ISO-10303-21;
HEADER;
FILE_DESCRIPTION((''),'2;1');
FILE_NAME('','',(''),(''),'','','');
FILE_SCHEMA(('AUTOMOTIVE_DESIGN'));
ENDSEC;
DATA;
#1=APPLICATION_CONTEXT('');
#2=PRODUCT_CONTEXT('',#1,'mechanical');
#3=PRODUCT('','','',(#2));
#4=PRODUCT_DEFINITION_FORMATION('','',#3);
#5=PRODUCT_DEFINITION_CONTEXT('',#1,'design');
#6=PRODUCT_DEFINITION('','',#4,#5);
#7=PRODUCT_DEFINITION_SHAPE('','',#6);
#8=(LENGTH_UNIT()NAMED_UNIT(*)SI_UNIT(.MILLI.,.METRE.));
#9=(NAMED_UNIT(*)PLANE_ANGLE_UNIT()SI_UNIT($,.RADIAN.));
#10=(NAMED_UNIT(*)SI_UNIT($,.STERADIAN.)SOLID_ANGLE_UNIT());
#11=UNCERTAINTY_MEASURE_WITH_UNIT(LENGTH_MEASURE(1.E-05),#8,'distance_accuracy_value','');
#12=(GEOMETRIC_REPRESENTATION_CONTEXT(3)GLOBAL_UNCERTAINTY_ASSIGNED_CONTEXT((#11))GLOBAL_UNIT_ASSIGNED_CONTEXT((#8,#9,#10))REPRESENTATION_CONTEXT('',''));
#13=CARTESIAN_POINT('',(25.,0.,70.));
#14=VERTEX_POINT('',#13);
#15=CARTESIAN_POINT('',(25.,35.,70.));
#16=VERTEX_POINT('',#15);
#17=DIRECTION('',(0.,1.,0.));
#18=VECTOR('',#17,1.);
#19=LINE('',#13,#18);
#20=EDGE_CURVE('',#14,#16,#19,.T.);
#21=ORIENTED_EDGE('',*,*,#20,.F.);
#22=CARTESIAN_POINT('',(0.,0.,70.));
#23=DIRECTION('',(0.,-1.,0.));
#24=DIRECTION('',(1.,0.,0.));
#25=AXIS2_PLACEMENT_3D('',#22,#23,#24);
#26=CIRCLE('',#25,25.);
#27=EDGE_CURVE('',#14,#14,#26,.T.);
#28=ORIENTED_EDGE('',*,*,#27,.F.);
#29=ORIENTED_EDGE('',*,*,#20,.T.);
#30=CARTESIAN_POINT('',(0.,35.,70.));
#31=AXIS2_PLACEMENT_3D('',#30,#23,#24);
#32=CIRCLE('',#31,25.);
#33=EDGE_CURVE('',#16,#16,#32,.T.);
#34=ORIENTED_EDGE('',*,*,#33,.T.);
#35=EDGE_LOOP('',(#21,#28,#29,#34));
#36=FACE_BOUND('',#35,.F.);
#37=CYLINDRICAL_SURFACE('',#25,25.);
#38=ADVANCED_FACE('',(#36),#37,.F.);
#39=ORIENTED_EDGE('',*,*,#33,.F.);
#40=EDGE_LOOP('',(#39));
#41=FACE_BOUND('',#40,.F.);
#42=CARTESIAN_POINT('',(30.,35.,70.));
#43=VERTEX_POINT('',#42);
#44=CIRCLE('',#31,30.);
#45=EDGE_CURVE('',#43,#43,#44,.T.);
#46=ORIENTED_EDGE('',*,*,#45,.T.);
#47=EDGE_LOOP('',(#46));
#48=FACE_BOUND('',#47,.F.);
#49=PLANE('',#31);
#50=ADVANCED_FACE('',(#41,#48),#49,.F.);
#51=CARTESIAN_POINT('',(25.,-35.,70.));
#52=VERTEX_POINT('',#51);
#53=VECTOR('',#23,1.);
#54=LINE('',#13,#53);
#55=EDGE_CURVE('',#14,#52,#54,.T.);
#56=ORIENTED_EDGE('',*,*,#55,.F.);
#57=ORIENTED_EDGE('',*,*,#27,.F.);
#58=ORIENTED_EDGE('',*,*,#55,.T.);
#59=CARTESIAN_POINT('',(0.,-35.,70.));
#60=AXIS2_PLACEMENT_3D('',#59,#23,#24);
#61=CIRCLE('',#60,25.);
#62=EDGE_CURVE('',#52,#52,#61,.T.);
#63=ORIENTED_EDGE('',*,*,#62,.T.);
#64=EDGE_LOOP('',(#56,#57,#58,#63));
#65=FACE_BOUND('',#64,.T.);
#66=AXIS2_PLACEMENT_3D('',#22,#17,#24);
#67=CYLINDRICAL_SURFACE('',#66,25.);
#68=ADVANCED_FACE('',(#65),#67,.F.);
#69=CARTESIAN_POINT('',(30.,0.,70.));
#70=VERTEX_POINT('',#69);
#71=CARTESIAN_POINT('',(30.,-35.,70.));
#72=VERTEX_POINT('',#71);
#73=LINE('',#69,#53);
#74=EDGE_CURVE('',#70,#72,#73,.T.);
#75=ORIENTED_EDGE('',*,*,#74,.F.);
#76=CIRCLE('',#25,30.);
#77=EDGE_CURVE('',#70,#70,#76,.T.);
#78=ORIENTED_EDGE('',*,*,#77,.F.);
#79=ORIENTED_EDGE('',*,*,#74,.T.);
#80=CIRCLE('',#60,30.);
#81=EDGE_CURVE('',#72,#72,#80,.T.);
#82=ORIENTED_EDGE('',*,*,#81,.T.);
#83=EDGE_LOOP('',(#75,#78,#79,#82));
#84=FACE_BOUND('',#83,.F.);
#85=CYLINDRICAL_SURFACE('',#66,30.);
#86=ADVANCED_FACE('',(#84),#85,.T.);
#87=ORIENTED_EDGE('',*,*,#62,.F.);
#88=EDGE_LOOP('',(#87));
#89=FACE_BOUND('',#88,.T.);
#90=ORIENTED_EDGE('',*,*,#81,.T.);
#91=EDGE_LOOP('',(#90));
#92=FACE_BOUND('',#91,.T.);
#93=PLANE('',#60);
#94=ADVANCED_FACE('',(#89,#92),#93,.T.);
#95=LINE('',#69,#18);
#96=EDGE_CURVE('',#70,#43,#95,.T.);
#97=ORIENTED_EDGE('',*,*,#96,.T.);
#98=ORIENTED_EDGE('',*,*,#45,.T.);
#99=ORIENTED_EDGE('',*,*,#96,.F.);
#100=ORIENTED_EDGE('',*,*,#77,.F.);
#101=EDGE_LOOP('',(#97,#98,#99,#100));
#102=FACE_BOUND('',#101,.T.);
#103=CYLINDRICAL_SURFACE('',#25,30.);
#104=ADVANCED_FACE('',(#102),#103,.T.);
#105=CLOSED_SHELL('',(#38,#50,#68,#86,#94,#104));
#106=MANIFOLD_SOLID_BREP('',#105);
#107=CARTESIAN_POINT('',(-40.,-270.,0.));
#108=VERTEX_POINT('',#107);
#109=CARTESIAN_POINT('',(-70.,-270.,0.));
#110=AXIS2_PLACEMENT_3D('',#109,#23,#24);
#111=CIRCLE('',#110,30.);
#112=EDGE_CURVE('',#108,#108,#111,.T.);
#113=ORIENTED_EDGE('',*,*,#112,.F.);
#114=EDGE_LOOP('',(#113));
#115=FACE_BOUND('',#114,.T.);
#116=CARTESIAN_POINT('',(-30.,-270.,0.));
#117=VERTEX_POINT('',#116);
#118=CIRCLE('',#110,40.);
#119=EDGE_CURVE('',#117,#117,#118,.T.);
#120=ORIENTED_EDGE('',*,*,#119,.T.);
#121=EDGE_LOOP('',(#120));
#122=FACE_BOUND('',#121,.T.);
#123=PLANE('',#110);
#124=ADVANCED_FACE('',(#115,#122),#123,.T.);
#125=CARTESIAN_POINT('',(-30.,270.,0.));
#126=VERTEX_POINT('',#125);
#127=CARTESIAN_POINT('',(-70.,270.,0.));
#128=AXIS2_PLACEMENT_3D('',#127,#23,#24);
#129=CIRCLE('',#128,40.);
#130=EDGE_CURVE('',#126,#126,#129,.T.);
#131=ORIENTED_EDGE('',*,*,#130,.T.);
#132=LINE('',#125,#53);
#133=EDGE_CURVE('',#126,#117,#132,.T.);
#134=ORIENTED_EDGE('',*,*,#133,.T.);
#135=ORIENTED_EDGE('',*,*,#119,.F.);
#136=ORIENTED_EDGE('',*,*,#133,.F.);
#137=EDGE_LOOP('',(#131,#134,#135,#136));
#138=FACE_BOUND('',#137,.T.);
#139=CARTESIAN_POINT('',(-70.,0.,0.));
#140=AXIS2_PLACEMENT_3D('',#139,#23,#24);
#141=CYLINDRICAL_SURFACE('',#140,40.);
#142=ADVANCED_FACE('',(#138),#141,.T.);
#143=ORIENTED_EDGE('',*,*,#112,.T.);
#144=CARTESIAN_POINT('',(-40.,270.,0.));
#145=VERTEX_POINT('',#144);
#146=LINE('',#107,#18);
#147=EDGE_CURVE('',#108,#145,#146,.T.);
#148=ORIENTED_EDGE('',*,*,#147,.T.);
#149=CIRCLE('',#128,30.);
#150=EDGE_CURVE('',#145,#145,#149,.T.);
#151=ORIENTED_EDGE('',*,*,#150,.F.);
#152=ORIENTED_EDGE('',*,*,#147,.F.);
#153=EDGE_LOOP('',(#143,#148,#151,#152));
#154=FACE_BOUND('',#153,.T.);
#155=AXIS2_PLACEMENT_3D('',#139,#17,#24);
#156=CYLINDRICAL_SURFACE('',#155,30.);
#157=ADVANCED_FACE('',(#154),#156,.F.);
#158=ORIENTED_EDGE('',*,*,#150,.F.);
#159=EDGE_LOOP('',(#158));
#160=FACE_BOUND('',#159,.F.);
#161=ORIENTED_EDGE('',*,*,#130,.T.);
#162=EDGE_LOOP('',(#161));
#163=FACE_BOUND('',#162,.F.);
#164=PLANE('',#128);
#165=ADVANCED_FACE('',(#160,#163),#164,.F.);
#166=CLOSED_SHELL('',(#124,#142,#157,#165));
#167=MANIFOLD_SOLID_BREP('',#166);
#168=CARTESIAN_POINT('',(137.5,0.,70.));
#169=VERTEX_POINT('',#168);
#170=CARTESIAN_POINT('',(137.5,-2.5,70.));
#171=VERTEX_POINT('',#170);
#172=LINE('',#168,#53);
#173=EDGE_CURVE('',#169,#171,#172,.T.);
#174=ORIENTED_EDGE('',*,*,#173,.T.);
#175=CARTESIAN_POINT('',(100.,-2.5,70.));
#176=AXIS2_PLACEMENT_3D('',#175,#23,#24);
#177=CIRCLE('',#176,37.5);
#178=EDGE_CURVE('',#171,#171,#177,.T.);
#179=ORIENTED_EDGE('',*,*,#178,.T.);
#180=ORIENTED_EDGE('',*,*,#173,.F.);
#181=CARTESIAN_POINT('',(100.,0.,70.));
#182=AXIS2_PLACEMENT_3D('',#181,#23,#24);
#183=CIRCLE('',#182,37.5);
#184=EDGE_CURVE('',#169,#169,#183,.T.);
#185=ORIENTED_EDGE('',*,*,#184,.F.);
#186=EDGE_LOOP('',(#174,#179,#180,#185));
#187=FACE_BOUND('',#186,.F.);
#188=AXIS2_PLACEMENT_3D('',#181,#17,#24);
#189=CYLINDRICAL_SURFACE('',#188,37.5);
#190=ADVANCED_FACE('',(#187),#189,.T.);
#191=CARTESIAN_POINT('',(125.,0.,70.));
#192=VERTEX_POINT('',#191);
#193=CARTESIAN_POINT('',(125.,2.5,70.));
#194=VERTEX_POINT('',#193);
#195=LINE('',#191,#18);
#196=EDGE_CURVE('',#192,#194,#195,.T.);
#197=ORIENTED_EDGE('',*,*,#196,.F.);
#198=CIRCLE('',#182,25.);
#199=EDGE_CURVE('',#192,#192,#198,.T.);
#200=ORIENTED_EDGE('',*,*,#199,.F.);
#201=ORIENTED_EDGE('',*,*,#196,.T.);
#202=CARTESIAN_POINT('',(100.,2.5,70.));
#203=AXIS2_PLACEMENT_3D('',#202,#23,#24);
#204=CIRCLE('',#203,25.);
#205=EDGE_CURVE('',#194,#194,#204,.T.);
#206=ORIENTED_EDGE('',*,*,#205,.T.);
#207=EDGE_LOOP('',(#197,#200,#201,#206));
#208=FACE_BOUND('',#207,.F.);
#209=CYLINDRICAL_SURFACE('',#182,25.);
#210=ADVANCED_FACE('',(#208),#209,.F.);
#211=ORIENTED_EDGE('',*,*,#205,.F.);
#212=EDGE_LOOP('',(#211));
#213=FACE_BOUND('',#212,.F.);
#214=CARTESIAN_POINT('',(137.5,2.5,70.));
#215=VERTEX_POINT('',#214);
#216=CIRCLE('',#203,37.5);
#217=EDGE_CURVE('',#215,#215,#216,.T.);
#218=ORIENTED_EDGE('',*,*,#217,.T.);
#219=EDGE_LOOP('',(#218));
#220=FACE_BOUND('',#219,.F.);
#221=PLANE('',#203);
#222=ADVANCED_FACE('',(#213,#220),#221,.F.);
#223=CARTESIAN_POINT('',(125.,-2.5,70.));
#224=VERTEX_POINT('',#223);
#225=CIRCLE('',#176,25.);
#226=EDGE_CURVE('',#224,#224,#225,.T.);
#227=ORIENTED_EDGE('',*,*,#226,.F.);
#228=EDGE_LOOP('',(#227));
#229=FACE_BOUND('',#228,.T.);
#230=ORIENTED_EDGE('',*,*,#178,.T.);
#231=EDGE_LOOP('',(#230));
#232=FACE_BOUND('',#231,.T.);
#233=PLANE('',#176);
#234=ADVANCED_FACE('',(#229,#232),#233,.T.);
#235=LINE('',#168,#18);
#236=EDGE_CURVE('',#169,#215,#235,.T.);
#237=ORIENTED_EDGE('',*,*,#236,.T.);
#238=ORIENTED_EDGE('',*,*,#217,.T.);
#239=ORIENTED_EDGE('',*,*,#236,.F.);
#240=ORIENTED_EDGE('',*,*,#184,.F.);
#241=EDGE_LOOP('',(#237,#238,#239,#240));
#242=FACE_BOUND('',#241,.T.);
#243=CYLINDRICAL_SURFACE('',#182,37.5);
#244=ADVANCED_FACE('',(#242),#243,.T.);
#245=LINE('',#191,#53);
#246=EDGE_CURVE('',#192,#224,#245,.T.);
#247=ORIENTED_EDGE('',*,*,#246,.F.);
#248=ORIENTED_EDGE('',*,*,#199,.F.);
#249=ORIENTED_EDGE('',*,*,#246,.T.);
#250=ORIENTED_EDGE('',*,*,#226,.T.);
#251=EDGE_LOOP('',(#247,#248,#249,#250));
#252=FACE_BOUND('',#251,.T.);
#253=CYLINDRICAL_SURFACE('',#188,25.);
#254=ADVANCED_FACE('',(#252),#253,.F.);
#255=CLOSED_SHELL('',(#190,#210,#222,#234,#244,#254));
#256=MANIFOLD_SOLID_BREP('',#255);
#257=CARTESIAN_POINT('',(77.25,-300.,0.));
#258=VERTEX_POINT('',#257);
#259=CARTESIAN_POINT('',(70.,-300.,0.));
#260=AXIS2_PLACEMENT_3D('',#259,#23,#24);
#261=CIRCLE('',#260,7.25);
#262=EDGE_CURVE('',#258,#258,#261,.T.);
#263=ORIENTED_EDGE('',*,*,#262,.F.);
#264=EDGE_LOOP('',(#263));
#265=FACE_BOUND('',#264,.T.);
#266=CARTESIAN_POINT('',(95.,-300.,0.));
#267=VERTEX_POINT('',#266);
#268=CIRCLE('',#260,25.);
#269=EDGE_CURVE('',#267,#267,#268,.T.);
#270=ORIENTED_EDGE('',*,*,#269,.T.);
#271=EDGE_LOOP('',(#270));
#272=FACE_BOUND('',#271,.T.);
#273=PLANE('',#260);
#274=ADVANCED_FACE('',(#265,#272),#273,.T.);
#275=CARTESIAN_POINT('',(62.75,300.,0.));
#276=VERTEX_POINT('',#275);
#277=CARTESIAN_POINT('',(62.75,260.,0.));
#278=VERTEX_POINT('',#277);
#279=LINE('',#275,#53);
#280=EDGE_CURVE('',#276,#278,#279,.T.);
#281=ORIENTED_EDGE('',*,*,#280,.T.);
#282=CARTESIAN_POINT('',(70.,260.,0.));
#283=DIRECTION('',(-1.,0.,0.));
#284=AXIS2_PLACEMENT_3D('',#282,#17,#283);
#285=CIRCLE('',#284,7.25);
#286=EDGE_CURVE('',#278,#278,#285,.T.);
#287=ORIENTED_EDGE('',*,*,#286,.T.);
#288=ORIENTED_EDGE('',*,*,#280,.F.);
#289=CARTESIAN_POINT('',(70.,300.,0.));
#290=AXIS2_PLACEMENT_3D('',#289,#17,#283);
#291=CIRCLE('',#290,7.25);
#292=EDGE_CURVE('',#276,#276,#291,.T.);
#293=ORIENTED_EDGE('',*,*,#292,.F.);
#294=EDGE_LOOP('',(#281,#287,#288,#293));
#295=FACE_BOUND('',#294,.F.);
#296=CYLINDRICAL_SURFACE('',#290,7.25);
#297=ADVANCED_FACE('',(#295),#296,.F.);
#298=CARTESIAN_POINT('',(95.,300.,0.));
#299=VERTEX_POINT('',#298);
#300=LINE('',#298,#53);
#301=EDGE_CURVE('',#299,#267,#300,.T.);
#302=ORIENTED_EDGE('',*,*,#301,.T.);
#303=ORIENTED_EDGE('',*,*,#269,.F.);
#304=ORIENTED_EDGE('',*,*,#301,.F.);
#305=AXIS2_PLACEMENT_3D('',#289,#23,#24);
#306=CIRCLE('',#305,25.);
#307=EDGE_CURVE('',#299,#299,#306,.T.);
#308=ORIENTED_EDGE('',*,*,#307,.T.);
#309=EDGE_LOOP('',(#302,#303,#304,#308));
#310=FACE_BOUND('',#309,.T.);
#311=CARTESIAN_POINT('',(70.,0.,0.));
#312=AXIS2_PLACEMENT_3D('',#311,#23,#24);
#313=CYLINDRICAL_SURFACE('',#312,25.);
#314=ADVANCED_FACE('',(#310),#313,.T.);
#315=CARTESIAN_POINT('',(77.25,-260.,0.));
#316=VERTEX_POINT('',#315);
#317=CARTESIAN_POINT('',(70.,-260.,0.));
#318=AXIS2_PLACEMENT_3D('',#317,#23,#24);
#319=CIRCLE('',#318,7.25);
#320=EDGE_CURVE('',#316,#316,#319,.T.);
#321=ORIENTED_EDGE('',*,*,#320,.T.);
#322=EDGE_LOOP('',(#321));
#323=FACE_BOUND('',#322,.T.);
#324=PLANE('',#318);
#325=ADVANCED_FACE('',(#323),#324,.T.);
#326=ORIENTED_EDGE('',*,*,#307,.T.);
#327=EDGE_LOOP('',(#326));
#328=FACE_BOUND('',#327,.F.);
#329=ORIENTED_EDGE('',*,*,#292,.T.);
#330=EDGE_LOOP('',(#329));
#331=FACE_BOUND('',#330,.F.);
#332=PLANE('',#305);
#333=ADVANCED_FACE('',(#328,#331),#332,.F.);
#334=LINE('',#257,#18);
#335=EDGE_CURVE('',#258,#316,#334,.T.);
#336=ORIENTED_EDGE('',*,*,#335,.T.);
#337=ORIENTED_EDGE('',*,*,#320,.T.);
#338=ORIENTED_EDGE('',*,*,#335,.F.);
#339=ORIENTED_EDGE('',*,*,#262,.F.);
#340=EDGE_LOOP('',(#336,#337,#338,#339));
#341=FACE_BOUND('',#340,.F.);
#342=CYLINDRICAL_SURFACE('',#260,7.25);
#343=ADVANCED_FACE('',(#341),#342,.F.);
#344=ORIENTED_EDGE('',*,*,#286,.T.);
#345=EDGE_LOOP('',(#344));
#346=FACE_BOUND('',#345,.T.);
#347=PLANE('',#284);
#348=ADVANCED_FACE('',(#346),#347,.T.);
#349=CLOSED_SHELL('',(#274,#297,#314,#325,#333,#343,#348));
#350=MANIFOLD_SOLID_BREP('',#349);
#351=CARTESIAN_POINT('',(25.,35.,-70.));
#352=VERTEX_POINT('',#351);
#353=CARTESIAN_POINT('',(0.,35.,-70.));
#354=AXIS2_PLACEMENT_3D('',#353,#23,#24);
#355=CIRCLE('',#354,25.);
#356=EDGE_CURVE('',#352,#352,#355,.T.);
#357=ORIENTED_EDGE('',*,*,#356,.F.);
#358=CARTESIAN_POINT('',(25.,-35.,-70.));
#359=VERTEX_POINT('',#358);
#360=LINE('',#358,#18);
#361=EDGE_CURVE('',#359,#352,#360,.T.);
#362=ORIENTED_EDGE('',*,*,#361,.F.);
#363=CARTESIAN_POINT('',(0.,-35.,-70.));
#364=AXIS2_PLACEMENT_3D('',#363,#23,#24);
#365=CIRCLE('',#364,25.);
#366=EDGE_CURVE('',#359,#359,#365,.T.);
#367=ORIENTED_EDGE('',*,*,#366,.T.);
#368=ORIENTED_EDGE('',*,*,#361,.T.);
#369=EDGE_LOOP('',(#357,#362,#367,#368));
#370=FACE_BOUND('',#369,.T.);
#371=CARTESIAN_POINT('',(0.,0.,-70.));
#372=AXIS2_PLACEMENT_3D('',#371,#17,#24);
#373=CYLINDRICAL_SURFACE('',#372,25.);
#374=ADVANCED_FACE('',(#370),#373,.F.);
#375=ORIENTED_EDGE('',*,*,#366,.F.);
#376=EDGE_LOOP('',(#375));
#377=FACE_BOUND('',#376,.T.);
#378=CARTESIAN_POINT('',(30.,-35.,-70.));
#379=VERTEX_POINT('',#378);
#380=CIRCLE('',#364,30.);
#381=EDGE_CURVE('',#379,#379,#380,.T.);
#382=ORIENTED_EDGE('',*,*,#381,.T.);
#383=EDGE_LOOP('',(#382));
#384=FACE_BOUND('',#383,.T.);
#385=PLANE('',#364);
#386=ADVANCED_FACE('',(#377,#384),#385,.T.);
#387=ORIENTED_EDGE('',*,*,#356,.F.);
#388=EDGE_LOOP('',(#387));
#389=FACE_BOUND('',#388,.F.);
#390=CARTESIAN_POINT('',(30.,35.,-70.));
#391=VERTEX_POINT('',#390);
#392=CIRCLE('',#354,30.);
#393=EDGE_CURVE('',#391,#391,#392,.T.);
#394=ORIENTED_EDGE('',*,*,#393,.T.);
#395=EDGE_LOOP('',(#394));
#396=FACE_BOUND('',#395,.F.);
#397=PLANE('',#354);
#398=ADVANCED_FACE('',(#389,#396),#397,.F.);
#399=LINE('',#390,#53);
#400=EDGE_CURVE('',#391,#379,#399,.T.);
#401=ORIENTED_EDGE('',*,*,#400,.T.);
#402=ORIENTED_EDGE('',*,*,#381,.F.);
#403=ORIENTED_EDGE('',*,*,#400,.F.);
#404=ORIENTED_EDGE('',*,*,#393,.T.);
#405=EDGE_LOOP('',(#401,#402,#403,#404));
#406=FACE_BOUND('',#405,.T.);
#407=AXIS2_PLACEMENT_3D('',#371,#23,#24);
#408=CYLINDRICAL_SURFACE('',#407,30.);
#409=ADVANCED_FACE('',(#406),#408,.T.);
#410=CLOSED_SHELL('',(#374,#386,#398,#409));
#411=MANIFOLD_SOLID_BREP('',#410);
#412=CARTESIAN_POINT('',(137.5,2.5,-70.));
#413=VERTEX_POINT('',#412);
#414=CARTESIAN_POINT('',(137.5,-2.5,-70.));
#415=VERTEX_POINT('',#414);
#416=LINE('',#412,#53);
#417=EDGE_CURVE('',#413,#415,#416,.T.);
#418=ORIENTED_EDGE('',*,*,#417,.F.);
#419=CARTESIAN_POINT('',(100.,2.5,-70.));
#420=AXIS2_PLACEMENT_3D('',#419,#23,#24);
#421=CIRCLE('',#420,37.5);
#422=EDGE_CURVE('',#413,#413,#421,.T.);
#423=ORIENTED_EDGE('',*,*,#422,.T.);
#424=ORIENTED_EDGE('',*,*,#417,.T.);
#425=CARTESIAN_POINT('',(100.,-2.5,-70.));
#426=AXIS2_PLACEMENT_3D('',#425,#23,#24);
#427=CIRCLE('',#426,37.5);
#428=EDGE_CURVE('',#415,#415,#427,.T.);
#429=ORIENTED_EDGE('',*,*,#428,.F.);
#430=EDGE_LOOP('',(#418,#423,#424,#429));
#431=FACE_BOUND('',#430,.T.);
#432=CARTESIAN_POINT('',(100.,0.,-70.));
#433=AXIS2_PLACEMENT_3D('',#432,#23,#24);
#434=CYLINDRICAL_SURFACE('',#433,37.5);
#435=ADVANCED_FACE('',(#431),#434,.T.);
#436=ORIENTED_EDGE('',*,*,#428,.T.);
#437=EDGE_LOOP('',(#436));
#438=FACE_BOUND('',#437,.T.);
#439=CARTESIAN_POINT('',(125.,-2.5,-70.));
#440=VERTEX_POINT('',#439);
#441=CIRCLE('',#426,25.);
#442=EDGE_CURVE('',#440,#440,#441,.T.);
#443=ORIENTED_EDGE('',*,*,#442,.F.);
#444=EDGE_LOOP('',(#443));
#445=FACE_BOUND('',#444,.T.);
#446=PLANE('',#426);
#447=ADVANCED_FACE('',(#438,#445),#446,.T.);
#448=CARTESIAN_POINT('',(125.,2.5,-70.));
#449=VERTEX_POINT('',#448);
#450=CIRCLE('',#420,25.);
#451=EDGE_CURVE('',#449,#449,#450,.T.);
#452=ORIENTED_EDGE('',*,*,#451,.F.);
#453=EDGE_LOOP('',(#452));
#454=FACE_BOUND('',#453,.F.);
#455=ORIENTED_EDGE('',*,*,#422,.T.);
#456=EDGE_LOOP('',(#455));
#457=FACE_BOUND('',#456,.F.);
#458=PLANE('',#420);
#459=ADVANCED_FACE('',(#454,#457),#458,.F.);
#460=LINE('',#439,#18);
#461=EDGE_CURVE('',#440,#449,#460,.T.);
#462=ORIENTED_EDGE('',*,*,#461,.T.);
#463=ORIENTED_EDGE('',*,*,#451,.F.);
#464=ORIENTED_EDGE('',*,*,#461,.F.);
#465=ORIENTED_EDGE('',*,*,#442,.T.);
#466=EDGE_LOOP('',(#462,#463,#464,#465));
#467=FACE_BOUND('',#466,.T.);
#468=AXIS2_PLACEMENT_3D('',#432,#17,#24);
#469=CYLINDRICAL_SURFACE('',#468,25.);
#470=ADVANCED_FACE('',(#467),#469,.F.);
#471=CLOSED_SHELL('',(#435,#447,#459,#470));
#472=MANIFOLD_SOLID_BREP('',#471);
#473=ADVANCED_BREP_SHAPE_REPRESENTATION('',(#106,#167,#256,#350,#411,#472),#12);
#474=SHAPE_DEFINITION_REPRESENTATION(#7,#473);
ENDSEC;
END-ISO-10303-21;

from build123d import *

# Parameters (mm, degrees)
F0_R      = 40
F0_R_2    = 30
F1_DEPTH  = 270
F2_R      = 30
F2_R_2    = 25
F3_DEPTH  = 35
F4_R      = 25
F5_DEPTH  = 300
F6_R      = 37.5
F6_R_2    = 25
F7_DEPTH  = 2.5
F8_R      = 7.25
F9_DEPTH  = 40
F10_R     = 7.25
F11_DEPTH = 40


with BuildPart() as f1:
    # F0 (on Front) → F1 (new body, symmetric)
    with BuildSketch(Plane.XZ):
        with Locations((-70, 0)):
            Circle(F0_R)
        with Locations((-70, 0)):
            Circle(F0_R_2, mode=Mode.SUBTRACT)
    extrude(amount=F1_DEPTH, both=True)


with BuildPart() as f3:
    # F2 (on Front) → F3 (new body, symmetric)
    with BuildSketch(Plane.XZ):
        with Locations((0, 70)):
            Circle(F2_R)
        with Locations((0, 70)):
            Circle(F2_R_2, mode=Mode.SUBTRACT)
        with Locations((0, -70)):
            Circle(F2_R)
        with Locations((0, -70)):
            Circle(F2_R_2, mode=Mode.SUBTRACT)
    extrude(amount=F3_DEPTH, both=True)


with BuildPart() as f5:
    # F4 (on Front) → F5 (new body, symmetric)
    with BuildSketch(Plane.XZ):
        with Locations((70, 0)):
            Circle(F4_R)
    extrude(amount=F5_DEPTH, both=True)

    # F8 (on face) → F9 (cut)
    with BuildSketch(Plane.XZ.offset(300)):
        with Locations((70, 0)):
            Circle(F8_R)
    extrude(amount=-F9_DEPTH, mode=Mode.SUBTRACT)

    # F10 (on face) → F11 (cut)
    with BuildSketch(Plane(origin=(0, 300, 0), x_dir=(-1, 0, 0), z_dir=(0, 1, 0))):
        with Locations((-70, 0)):
            Circle(F10_R)
    extrude(amount=-F11_DEPTH, mode=Mode.SUBTRACT)


with BuildPart() as f7:
    # F6 (on Front) → F7 (new body, symmetric)
    with BuildSketch(Plane.XZ):
        with Locations((100, 70)):
            Circle(F6_R)
        with Locations((100, 70)):
            Circle(F6_R_2, mode=Mode.SUBTRACT)
        with Locations((100, -70)):
            Circle(F6_R)
        with Locations((100, -70)):
            Circle(F6_R_2, mode=Mode.SUBTRACT)
    extrude(amount=F7_DEPTH, both=True)


solid = Compound([f1.part, f3.part, f5.part, f7.part])
